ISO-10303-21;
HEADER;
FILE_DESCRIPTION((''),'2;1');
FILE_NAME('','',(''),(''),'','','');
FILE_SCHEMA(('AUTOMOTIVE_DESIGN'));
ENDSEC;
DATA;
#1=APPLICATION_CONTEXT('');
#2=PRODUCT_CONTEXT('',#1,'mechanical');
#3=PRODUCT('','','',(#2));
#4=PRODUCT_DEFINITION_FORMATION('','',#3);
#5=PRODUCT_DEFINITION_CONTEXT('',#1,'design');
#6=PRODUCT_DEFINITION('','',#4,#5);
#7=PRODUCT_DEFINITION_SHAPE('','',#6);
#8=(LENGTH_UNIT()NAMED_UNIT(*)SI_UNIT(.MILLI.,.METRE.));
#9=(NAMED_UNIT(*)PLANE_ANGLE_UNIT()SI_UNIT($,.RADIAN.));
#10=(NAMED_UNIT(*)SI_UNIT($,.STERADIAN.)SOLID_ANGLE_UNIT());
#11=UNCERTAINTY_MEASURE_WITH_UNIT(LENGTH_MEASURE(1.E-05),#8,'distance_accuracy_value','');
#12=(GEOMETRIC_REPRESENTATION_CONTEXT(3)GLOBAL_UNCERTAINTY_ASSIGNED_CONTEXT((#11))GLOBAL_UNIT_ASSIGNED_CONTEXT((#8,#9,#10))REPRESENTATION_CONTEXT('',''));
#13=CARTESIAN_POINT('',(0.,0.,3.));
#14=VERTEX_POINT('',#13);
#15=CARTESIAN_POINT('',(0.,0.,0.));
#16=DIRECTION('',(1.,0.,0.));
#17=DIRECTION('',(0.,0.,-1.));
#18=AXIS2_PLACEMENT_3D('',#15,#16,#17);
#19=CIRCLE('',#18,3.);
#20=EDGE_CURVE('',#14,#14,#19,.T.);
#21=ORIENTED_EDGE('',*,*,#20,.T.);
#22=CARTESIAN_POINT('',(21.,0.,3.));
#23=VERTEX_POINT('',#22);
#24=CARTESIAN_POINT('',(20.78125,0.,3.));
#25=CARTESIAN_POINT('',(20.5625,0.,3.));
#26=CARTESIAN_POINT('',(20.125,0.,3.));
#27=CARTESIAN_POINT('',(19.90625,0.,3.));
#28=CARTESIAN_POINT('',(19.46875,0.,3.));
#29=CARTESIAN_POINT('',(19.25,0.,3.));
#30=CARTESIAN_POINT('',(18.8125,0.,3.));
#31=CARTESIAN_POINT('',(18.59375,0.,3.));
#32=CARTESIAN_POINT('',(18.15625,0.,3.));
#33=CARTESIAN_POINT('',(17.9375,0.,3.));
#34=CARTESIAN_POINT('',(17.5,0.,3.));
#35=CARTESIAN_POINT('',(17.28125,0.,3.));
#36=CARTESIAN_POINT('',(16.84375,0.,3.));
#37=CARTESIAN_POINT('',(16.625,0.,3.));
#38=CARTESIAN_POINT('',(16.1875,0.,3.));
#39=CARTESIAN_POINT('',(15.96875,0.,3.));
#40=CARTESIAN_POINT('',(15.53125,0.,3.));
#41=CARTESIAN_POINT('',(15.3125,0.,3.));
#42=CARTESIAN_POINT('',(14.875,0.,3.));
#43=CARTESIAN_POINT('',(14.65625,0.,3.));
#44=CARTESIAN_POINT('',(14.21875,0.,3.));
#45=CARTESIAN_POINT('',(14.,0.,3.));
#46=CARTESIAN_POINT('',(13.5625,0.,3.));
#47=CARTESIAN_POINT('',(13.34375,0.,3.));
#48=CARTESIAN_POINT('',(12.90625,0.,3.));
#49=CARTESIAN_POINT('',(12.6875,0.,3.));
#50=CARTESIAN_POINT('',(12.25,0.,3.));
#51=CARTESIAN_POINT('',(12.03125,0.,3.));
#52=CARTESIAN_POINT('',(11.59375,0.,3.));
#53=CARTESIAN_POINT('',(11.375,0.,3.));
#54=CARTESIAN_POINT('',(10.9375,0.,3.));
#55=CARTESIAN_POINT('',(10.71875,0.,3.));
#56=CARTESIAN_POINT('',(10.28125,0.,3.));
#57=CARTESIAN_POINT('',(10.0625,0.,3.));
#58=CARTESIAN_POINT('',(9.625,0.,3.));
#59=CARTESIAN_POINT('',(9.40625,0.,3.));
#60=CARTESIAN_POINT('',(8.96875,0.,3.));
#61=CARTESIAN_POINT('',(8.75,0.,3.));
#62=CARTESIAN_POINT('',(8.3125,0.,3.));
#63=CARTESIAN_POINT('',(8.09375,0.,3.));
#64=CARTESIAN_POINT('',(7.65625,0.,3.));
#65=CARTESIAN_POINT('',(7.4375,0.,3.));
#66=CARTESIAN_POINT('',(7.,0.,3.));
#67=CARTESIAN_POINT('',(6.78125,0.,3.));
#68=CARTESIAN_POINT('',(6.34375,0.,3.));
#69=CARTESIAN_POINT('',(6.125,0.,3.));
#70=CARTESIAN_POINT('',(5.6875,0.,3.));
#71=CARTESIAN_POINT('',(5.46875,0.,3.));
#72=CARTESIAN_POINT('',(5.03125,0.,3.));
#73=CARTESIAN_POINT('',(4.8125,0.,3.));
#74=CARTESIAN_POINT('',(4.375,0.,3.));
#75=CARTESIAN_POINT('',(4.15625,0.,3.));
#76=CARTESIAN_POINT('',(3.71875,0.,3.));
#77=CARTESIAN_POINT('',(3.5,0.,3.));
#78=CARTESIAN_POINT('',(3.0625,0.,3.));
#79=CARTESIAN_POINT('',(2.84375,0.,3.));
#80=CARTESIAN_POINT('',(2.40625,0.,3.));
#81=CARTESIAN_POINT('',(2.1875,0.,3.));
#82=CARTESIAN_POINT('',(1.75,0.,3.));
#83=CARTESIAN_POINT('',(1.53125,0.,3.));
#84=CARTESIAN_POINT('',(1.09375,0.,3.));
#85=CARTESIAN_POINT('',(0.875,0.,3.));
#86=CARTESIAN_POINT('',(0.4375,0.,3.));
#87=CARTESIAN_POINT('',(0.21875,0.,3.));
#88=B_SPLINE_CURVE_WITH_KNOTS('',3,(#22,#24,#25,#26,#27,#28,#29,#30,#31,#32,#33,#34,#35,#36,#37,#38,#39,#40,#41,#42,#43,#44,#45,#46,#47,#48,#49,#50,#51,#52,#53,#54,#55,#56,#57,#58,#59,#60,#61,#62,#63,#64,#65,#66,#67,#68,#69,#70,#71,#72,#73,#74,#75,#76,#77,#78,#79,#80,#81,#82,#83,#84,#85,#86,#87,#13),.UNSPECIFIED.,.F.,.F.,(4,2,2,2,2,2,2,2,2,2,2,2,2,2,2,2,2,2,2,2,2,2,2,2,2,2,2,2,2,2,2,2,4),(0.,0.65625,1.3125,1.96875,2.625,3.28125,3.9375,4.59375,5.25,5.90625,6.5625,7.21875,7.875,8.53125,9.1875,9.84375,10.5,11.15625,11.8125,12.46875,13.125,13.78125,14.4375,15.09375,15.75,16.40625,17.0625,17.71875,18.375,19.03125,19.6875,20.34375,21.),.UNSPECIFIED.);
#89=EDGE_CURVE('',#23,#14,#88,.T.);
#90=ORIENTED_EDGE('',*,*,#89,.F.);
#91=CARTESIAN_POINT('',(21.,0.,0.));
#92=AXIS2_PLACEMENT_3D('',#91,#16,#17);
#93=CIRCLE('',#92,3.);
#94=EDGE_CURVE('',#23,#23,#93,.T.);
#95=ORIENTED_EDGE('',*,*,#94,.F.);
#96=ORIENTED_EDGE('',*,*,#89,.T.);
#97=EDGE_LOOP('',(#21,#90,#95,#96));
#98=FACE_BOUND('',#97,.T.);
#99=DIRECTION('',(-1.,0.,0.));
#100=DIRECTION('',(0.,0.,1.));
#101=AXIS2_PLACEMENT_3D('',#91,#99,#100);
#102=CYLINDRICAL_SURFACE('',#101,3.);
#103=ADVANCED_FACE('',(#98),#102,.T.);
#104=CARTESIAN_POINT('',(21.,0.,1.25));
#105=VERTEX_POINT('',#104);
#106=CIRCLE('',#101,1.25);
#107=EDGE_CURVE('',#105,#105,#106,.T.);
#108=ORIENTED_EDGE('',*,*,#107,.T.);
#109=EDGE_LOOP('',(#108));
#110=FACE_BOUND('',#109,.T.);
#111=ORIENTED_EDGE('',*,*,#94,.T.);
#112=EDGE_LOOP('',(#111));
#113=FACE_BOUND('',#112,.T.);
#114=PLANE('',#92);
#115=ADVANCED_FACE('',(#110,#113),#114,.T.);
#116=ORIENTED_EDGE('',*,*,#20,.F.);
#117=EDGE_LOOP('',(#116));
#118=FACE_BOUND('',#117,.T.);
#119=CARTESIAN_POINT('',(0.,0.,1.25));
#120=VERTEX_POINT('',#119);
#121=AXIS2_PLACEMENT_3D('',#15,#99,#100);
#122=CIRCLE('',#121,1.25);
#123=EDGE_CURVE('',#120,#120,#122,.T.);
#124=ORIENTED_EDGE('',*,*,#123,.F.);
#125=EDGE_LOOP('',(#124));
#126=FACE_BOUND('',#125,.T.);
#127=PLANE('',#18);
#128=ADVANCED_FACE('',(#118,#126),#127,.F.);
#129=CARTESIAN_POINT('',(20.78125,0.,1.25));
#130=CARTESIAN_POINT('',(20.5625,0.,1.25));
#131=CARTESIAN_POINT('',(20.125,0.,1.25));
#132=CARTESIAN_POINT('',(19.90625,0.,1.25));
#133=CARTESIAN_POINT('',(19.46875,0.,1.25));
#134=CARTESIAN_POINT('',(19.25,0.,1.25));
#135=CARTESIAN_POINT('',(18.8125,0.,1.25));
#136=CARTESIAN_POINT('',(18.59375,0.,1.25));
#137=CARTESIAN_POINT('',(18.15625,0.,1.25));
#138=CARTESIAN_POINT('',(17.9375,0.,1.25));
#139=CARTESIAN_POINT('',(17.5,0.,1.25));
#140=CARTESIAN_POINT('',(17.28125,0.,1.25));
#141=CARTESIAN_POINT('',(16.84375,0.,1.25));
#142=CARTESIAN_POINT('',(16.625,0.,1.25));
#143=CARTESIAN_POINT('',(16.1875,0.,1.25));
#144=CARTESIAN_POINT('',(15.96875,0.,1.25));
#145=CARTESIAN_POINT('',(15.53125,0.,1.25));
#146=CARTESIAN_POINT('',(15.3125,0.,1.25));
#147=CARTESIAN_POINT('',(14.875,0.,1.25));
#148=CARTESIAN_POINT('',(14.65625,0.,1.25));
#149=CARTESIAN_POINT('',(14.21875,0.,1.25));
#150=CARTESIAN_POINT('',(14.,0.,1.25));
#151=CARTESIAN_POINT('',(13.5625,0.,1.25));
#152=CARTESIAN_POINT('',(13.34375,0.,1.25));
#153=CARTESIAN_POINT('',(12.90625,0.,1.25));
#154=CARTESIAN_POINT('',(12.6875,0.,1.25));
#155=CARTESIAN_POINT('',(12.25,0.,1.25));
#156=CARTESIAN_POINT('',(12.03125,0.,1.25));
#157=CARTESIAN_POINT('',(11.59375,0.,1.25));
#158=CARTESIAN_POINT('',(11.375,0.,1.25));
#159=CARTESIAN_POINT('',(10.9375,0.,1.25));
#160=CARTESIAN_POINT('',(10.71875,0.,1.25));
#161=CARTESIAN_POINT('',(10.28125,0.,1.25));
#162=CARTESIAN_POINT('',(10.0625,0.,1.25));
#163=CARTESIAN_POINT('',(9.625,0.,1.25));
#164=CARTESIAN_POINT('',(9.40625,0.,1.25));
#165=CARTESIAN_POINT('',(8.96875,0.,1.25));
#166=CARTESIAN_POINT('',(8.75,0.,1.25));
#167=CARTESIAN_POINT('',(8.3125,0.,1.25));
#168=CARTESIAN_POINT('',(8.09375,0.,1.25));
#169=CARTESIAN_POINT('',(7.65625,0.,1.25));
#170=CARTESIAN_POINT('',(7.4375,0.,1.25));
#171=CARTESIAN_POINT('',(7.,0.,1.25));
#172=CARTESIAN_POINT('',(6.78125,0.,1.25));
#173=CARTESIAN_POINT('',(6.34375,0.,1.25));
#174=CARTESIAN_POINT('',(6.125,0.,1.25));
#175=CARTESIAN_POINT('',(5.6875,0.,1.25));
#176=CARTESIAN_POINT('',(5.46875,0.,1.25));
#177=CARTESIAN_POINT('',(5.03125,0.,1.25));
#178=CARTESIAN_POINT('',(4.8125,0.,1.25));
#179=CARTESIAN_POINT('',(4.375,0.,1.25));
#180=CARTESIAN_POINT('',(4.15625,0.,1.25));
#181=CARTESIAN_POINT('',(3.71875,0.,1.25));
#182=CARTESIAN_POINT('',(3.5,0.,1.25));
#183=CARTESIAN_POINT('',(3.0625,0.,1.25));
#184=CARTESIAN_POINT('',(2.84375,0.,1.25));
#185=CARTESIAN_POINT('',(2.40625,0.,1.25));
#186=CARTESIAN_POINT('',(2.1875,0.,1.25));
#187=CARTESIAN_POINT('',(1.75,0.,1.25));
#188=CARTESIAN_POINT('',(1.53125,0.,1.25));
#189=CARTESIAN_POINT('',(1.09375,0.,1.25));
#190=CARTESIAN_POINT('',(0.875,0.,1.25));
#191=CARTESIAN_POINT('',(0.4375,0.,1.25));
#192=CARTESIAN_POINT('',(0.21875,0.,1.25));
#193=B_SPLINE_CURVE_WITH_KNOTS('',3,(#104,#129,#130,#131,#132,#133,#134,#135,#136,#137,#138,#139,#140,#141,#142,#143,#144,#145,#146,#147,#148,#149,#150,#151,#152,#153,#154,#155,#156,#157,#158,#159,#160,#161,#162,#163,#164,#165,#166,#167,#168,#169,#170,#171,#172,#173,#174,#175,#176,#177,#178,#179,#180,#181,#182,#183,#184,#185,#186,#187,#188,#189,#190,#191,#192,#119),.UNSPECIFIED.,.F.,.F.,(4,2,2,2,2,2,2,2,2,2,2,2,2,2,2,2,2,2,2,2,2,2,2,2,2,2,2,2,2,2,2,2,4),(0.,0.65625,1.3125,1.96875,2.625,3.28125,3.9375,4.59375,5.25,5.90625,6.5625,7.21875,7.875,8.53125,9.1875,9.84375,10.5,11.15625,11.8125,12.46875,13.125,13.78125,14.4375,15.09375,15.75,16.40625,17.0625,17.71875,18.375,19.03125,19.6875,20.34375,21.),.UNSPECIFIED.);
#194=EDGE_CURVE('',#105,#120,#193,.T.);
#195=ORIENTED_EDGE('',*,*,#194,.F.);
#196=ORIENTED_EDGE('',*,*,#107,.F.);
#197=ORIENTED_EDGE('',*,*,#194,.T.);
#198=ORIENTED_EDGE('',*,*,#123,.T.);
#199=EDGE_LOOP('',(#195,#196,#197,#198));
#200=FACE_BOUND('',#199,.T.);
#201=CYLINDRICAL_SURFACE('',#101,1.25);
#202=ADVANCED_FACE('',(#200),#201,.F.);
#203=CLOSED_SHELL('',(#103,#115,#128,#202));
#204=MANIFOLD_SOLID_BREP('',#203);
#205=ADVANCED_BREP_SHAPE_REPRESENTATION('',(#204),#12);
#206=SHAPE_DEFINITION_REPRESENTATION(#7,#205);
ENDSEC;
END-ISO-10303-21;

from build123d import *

# Parameters (mm, degrees)
SKETCH1_R           = 3
BOSS_EXTRUDE1_DEPTH = 21
SKETCH2_R           = 1.25
CUT_EXTRUDE1_DEPTH  = 21


with BuildPart() as part:
    # Sketch1 → Boss-Extrude1 (new body)
    with BuildSketch(Plane(origin=(0, 0, 0), x_dir=(0, 0, -1), z_dir=(1, 0, 0))):
        with Locations(Location((0, 0, 0), (0, 0, 180))):
            Circle(SKETCH1_R)
    extrude(amount=BOSS_EXTRUDE1_DEPTH)

    # Sketch2 → Cut-Extrude1 (cut)
    with BuildSketch(Plane.ZY):
        Circle(SKETCH2_R)
    extrude(amount=-CUT_EXTRUDE1_DEPTH, mode=Mode.SUBTRACT)


solid = part.part
